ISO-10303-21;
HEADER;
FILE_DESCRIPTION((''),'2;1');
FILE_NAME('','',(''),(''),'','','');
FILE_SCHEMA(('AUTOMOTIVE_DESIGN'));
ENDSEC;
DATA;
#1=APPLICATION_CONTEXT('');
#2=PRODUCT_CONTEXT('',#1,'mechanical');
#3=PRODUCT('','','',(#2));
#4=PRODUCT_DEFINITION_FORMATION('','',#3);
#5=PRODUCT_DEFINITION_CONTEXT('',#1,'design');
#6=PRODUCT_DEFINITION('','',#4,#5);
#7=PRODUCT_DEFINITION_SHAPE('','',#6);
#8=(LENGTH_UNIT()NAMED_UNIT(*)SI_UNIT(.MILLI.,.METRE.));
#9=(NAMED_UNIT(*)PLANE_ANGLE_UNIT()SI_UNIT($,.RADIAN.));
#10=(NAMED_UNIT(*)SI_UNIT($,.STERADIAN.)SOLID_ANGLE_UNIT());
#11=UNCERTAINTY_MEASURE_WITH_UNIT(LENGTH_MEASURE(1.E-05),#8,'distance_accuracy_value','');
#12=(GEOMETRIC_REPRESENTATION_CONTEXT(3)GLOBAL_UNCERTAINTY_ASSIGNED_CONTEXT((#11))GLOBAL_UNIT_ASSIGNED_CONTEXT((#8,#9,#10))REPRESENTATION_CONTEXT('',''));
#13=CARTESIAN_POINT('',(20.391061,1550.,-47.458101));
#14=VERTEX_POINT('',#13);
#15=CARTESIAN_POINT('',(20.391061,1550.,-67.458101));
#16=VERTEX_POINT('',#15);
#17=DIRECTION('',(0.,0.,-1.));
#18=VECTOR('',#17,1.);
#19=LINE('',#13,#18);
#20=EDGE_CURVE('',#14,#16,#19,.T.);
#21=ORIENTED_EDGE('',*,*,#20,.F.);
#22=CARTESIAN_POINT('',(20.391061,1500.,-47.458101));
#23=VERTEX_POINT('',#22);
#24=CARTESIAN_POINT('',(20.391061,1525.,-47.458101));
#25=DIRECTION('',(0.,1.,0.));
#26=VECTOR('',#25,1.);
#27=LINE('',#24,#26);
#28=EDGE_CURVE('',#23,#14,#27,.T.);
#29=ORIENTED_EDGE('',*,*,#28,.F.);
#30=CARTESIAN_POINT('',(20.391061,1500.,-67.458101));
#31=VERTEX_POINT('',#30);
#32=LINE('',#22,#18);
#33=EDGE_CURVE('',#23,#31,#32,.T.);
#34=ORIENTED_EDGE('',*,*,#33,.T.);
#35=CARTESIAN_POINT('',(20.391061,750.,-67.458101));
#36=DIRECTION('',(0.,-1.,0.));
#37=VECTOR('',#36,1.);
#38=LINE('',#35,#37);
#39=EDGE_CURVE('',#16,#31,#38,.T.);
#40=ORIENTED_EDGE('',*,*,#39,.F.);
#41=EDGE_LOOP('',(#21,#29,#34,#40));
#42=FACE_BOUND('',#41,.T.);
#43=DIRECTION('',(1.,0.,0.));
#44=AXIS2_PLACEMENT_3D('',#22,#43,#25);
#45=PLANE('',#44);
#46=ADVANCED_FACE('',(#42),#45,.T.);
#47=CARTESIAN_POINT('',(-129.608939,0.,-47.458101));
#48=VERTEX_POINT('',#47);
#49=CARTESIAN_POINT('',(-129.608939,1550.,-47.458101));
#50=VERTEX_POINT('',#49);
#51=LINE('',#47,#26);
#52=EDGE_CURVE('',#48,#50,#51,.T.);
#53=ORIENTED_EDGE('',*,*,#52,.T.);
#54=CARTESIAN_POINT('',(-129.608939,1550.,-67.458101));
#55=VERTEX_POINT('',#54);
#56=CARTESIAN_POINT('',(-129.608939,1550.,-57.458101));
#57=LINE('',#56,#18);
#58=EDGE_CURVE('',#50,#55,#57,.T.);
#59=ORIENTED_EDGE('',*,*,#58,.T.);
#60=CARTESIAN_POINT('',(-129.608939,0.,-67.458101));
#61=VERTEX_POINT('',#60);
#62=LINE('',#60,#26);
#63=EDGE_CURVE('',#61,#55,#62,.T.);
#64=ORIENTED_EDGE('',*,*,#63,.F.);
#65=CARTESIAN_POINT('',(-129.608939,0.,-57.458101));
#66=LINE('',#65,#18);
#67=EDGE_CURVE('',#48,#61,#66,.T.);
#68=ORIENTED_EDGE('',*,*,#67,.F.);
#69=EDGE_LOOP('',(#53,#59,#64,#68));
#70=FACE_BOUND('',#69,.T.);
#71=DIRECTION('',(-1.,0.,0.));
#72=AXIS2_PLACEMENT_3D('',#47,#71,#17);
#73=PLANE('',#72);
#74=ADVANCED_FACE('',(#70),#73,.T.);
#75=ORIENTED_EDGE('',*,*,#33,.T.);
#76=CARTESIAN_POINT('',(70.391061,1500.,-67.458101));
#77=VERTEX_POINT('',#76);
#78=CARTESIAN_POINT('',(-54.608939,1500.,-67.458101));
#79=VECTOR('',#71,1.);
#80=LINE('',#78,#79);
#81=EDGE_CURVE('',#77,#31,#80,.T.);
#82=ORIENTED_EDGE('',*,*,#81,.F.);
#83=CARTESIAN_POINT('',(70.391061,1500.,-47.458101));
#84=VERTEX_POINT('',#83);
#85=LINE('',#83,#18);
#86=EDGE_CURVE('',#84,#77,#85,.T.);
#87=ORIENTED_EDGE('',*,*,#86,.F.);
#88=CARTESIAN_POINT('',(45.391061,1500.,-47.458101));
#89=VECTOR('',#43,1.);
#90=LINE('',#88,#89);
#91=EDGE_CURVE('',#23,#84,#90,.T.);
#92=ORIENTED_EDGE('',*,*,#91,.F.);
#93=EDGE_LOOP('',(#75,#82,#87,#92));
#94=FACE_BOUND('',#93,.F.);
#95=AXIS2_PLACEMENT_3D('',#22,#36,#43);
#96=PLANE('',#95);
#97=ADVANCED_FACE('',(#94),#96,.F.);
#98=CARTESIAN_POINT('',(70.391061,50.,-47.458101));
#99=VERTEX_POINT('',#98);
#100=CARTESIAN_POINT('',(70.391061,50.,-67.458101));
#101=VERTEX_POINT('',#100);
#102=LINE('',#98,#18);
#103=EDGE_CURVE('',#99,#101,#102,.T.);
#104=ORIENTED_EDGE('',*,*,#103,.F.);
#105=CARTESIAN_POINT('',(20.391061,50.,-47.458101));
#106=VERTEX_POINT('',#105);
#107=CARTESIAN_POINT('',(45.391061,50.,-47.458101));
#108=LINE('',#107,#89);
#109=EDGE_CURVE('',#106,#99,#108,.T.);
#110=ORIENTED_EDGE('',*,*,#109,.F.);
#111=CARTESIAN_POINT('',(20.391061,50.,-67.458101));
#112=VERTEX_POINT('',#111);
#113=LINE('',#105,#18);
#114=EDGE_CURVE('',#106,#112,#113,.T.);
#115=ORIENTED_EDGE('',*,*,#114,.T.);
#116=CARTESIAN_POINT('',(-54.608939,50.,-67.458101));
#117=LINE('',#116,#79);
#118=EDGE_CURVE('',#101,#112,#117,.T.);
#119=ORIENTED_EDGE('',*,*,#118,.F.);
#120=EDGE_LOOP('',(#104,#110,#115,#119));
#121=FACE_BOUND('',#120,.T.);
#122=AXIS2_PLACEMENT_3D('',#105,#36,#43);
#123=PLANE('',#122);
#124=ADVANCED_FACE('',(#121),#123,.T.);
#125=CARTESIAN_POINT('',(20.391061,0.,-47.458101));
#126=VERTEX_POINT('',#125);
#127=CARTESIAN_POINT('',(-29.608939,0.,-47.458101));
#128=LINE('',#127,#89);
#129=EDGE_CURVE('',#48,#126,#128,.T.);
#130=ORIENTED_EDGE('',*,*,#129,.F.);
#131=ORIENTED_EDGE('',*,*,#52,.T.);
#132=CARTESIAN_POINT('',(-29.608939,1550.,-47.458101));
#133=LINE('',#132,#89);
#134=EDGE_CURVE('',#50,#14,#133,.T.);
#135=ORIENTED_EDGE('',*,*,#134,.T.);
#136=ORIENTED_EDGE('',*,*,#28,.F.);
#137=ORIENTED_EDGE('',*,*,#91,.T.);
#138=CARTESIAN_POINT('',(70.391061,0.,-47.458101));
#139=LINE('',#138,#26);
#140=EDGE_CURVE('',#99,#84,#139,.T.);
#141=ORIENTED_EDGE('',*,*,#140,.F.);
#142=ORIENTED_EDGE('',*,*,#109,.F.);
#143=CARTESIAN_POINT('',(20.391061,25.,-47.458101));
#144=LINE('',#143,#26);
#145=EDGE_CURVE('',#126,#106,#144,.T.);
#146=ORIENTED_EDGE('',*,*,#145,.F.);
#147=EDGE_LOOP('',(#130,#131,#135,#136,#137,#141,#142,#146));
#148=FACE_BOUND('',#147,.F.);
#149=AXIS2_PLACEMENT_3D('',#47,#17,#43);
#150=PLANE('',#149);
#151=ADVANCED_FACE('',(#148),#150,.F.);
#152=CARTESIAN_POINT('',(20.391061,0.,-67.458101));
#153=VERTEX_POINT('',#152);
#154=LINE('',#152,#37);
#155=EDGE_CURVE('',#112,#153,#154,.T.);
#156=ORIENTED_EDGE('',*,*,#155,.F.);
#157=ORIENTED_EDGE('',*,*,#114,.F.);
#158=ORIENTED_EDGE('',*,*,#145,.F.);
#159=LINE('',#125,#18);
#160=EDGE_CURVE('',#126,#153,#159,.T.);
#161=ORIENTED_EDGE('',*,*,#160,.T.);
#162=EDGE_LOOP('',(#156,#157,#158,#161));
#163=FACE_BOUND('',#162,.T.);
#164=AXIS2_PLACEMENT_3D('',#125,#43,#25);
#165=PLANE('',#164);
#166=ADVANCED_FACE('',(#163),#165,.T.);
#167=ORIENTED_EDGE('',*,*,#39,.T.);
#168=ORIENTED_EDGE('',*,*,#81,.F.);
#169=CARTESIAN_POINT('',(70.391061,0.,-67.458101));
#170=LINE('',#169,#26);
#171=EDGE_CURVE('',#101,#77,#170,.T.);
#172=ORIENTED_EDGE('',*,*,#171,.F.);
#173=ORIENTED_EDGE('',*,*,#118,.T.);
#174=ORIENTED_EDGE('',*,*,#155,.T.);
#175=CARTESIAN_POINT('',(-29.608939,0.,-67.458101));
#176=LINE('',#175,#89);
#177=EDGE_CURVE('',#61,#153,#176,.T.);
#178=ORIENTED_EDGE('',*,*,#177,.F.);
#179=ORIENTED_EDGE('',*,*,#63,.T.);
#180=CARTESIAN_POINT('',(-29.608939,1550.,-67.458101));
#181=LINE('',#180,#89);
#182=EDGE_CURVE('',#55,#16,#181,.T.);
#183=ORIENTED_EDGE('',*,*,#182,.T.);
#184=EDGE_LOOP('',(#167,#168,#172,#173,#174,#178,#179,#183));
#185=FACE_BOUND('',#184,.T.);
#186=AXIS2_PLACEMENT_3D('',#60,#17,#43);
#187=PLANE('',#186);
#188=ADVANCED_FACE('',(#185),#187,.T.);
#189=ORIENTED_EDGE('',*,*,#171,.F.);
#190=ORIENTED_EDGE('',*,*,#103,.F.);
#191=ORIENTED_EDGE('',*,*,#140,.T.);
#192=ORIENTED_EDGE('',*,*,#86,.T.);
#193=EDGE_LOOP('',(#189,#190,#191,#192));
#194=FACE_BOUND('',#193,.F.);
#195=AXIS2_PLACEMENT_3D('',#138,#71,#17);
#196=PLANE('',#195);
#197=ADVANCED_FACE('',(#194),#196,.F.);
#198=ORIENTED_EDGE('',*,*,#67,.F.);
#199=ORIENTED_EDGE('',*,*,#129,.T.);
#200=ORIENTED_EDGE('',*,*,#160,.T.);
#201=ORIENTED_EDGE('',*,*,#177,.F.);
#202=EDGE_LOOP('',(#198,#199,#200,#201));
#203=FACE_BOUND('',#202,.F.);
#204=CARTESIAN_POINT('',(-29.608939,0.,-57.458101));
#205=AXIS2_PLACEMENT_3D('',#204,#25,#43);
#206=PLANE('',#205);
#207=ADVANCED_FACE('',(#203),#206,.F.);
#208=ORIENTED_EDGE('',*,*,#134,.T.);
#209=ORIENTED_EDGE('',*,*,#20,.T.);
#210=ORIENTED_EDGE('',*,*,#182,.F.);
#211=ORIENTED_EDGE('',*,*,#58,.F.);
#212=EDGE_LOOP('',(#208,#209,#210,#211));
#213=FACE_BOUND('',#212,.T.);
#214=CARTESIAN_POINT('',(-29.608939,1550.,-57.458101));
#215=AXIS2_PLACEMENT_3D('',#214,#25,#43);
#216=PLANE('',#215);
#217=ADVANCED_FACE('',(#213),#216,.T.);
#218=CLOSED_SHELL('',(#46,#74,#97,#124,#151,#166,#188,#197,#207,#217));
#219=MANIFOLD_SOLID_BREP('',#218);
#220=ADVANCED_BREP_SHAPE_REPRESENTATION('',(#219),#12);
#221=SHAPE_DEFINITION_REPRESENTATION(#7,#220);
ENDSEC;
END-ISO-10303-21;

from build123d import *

# Parameters (mm, degrees)
ESBO_O1_W                = 200
ESBO_O1_H                = 20
RESSALTO_EXTRUS_O1_DEPTH = 1550
ESBO_O2_W                = 50
ESBO_O2_H                = 50
CORTE_EXTRUS_O1_DEPTH    = 21
ESBO_O3_W                = 50
ESBO_O3_H                = 50
CORTE_EXTRUS_O2_DEPTH    = 21


with BuildPart() as part:
    # Esboço1 → Ressalto-extrusão1 (new body)
    with BuildSketch(Plane(origin=(0, 0, 0), x_dir=(1, 0, 0), z_dir=(0, 1, 0))):
        with Locations((-29.608938547, 57.458100559)):
            Rectangle(ESBO_O1_W, ESBO_O1_H)
    extrude(amount=RESSALTO_EXTRUS_O1_DEPTH)

    # Esboço2 → Corte-extrusão1 (cut, through all)
    with BuildSketch(Plane.XY.offset(-47.458100559)):
        with Locations((45.391061453, 25)):
            Rectangle(ESBO_O2_W, ESBO_O2_H)
    extrude(amount=-CORTE_EXTRUS_O1_DEPTH, mode=Mode.SUBTRACT)

    # Esboço3 → Corte-extrusão2 (cut, through all)
    with BuildSketch(Plane.XY.offset(-47.458100559)):
        with Locations((45.391061453, 1525)):
            Rectangle(ESBO_O3_W, ESBO_O3_H)
    extrude(amount=-CORTE_EXTRUS_O2_DEPTH, mode=Mode.SUBTRACT)


solid = part.part
